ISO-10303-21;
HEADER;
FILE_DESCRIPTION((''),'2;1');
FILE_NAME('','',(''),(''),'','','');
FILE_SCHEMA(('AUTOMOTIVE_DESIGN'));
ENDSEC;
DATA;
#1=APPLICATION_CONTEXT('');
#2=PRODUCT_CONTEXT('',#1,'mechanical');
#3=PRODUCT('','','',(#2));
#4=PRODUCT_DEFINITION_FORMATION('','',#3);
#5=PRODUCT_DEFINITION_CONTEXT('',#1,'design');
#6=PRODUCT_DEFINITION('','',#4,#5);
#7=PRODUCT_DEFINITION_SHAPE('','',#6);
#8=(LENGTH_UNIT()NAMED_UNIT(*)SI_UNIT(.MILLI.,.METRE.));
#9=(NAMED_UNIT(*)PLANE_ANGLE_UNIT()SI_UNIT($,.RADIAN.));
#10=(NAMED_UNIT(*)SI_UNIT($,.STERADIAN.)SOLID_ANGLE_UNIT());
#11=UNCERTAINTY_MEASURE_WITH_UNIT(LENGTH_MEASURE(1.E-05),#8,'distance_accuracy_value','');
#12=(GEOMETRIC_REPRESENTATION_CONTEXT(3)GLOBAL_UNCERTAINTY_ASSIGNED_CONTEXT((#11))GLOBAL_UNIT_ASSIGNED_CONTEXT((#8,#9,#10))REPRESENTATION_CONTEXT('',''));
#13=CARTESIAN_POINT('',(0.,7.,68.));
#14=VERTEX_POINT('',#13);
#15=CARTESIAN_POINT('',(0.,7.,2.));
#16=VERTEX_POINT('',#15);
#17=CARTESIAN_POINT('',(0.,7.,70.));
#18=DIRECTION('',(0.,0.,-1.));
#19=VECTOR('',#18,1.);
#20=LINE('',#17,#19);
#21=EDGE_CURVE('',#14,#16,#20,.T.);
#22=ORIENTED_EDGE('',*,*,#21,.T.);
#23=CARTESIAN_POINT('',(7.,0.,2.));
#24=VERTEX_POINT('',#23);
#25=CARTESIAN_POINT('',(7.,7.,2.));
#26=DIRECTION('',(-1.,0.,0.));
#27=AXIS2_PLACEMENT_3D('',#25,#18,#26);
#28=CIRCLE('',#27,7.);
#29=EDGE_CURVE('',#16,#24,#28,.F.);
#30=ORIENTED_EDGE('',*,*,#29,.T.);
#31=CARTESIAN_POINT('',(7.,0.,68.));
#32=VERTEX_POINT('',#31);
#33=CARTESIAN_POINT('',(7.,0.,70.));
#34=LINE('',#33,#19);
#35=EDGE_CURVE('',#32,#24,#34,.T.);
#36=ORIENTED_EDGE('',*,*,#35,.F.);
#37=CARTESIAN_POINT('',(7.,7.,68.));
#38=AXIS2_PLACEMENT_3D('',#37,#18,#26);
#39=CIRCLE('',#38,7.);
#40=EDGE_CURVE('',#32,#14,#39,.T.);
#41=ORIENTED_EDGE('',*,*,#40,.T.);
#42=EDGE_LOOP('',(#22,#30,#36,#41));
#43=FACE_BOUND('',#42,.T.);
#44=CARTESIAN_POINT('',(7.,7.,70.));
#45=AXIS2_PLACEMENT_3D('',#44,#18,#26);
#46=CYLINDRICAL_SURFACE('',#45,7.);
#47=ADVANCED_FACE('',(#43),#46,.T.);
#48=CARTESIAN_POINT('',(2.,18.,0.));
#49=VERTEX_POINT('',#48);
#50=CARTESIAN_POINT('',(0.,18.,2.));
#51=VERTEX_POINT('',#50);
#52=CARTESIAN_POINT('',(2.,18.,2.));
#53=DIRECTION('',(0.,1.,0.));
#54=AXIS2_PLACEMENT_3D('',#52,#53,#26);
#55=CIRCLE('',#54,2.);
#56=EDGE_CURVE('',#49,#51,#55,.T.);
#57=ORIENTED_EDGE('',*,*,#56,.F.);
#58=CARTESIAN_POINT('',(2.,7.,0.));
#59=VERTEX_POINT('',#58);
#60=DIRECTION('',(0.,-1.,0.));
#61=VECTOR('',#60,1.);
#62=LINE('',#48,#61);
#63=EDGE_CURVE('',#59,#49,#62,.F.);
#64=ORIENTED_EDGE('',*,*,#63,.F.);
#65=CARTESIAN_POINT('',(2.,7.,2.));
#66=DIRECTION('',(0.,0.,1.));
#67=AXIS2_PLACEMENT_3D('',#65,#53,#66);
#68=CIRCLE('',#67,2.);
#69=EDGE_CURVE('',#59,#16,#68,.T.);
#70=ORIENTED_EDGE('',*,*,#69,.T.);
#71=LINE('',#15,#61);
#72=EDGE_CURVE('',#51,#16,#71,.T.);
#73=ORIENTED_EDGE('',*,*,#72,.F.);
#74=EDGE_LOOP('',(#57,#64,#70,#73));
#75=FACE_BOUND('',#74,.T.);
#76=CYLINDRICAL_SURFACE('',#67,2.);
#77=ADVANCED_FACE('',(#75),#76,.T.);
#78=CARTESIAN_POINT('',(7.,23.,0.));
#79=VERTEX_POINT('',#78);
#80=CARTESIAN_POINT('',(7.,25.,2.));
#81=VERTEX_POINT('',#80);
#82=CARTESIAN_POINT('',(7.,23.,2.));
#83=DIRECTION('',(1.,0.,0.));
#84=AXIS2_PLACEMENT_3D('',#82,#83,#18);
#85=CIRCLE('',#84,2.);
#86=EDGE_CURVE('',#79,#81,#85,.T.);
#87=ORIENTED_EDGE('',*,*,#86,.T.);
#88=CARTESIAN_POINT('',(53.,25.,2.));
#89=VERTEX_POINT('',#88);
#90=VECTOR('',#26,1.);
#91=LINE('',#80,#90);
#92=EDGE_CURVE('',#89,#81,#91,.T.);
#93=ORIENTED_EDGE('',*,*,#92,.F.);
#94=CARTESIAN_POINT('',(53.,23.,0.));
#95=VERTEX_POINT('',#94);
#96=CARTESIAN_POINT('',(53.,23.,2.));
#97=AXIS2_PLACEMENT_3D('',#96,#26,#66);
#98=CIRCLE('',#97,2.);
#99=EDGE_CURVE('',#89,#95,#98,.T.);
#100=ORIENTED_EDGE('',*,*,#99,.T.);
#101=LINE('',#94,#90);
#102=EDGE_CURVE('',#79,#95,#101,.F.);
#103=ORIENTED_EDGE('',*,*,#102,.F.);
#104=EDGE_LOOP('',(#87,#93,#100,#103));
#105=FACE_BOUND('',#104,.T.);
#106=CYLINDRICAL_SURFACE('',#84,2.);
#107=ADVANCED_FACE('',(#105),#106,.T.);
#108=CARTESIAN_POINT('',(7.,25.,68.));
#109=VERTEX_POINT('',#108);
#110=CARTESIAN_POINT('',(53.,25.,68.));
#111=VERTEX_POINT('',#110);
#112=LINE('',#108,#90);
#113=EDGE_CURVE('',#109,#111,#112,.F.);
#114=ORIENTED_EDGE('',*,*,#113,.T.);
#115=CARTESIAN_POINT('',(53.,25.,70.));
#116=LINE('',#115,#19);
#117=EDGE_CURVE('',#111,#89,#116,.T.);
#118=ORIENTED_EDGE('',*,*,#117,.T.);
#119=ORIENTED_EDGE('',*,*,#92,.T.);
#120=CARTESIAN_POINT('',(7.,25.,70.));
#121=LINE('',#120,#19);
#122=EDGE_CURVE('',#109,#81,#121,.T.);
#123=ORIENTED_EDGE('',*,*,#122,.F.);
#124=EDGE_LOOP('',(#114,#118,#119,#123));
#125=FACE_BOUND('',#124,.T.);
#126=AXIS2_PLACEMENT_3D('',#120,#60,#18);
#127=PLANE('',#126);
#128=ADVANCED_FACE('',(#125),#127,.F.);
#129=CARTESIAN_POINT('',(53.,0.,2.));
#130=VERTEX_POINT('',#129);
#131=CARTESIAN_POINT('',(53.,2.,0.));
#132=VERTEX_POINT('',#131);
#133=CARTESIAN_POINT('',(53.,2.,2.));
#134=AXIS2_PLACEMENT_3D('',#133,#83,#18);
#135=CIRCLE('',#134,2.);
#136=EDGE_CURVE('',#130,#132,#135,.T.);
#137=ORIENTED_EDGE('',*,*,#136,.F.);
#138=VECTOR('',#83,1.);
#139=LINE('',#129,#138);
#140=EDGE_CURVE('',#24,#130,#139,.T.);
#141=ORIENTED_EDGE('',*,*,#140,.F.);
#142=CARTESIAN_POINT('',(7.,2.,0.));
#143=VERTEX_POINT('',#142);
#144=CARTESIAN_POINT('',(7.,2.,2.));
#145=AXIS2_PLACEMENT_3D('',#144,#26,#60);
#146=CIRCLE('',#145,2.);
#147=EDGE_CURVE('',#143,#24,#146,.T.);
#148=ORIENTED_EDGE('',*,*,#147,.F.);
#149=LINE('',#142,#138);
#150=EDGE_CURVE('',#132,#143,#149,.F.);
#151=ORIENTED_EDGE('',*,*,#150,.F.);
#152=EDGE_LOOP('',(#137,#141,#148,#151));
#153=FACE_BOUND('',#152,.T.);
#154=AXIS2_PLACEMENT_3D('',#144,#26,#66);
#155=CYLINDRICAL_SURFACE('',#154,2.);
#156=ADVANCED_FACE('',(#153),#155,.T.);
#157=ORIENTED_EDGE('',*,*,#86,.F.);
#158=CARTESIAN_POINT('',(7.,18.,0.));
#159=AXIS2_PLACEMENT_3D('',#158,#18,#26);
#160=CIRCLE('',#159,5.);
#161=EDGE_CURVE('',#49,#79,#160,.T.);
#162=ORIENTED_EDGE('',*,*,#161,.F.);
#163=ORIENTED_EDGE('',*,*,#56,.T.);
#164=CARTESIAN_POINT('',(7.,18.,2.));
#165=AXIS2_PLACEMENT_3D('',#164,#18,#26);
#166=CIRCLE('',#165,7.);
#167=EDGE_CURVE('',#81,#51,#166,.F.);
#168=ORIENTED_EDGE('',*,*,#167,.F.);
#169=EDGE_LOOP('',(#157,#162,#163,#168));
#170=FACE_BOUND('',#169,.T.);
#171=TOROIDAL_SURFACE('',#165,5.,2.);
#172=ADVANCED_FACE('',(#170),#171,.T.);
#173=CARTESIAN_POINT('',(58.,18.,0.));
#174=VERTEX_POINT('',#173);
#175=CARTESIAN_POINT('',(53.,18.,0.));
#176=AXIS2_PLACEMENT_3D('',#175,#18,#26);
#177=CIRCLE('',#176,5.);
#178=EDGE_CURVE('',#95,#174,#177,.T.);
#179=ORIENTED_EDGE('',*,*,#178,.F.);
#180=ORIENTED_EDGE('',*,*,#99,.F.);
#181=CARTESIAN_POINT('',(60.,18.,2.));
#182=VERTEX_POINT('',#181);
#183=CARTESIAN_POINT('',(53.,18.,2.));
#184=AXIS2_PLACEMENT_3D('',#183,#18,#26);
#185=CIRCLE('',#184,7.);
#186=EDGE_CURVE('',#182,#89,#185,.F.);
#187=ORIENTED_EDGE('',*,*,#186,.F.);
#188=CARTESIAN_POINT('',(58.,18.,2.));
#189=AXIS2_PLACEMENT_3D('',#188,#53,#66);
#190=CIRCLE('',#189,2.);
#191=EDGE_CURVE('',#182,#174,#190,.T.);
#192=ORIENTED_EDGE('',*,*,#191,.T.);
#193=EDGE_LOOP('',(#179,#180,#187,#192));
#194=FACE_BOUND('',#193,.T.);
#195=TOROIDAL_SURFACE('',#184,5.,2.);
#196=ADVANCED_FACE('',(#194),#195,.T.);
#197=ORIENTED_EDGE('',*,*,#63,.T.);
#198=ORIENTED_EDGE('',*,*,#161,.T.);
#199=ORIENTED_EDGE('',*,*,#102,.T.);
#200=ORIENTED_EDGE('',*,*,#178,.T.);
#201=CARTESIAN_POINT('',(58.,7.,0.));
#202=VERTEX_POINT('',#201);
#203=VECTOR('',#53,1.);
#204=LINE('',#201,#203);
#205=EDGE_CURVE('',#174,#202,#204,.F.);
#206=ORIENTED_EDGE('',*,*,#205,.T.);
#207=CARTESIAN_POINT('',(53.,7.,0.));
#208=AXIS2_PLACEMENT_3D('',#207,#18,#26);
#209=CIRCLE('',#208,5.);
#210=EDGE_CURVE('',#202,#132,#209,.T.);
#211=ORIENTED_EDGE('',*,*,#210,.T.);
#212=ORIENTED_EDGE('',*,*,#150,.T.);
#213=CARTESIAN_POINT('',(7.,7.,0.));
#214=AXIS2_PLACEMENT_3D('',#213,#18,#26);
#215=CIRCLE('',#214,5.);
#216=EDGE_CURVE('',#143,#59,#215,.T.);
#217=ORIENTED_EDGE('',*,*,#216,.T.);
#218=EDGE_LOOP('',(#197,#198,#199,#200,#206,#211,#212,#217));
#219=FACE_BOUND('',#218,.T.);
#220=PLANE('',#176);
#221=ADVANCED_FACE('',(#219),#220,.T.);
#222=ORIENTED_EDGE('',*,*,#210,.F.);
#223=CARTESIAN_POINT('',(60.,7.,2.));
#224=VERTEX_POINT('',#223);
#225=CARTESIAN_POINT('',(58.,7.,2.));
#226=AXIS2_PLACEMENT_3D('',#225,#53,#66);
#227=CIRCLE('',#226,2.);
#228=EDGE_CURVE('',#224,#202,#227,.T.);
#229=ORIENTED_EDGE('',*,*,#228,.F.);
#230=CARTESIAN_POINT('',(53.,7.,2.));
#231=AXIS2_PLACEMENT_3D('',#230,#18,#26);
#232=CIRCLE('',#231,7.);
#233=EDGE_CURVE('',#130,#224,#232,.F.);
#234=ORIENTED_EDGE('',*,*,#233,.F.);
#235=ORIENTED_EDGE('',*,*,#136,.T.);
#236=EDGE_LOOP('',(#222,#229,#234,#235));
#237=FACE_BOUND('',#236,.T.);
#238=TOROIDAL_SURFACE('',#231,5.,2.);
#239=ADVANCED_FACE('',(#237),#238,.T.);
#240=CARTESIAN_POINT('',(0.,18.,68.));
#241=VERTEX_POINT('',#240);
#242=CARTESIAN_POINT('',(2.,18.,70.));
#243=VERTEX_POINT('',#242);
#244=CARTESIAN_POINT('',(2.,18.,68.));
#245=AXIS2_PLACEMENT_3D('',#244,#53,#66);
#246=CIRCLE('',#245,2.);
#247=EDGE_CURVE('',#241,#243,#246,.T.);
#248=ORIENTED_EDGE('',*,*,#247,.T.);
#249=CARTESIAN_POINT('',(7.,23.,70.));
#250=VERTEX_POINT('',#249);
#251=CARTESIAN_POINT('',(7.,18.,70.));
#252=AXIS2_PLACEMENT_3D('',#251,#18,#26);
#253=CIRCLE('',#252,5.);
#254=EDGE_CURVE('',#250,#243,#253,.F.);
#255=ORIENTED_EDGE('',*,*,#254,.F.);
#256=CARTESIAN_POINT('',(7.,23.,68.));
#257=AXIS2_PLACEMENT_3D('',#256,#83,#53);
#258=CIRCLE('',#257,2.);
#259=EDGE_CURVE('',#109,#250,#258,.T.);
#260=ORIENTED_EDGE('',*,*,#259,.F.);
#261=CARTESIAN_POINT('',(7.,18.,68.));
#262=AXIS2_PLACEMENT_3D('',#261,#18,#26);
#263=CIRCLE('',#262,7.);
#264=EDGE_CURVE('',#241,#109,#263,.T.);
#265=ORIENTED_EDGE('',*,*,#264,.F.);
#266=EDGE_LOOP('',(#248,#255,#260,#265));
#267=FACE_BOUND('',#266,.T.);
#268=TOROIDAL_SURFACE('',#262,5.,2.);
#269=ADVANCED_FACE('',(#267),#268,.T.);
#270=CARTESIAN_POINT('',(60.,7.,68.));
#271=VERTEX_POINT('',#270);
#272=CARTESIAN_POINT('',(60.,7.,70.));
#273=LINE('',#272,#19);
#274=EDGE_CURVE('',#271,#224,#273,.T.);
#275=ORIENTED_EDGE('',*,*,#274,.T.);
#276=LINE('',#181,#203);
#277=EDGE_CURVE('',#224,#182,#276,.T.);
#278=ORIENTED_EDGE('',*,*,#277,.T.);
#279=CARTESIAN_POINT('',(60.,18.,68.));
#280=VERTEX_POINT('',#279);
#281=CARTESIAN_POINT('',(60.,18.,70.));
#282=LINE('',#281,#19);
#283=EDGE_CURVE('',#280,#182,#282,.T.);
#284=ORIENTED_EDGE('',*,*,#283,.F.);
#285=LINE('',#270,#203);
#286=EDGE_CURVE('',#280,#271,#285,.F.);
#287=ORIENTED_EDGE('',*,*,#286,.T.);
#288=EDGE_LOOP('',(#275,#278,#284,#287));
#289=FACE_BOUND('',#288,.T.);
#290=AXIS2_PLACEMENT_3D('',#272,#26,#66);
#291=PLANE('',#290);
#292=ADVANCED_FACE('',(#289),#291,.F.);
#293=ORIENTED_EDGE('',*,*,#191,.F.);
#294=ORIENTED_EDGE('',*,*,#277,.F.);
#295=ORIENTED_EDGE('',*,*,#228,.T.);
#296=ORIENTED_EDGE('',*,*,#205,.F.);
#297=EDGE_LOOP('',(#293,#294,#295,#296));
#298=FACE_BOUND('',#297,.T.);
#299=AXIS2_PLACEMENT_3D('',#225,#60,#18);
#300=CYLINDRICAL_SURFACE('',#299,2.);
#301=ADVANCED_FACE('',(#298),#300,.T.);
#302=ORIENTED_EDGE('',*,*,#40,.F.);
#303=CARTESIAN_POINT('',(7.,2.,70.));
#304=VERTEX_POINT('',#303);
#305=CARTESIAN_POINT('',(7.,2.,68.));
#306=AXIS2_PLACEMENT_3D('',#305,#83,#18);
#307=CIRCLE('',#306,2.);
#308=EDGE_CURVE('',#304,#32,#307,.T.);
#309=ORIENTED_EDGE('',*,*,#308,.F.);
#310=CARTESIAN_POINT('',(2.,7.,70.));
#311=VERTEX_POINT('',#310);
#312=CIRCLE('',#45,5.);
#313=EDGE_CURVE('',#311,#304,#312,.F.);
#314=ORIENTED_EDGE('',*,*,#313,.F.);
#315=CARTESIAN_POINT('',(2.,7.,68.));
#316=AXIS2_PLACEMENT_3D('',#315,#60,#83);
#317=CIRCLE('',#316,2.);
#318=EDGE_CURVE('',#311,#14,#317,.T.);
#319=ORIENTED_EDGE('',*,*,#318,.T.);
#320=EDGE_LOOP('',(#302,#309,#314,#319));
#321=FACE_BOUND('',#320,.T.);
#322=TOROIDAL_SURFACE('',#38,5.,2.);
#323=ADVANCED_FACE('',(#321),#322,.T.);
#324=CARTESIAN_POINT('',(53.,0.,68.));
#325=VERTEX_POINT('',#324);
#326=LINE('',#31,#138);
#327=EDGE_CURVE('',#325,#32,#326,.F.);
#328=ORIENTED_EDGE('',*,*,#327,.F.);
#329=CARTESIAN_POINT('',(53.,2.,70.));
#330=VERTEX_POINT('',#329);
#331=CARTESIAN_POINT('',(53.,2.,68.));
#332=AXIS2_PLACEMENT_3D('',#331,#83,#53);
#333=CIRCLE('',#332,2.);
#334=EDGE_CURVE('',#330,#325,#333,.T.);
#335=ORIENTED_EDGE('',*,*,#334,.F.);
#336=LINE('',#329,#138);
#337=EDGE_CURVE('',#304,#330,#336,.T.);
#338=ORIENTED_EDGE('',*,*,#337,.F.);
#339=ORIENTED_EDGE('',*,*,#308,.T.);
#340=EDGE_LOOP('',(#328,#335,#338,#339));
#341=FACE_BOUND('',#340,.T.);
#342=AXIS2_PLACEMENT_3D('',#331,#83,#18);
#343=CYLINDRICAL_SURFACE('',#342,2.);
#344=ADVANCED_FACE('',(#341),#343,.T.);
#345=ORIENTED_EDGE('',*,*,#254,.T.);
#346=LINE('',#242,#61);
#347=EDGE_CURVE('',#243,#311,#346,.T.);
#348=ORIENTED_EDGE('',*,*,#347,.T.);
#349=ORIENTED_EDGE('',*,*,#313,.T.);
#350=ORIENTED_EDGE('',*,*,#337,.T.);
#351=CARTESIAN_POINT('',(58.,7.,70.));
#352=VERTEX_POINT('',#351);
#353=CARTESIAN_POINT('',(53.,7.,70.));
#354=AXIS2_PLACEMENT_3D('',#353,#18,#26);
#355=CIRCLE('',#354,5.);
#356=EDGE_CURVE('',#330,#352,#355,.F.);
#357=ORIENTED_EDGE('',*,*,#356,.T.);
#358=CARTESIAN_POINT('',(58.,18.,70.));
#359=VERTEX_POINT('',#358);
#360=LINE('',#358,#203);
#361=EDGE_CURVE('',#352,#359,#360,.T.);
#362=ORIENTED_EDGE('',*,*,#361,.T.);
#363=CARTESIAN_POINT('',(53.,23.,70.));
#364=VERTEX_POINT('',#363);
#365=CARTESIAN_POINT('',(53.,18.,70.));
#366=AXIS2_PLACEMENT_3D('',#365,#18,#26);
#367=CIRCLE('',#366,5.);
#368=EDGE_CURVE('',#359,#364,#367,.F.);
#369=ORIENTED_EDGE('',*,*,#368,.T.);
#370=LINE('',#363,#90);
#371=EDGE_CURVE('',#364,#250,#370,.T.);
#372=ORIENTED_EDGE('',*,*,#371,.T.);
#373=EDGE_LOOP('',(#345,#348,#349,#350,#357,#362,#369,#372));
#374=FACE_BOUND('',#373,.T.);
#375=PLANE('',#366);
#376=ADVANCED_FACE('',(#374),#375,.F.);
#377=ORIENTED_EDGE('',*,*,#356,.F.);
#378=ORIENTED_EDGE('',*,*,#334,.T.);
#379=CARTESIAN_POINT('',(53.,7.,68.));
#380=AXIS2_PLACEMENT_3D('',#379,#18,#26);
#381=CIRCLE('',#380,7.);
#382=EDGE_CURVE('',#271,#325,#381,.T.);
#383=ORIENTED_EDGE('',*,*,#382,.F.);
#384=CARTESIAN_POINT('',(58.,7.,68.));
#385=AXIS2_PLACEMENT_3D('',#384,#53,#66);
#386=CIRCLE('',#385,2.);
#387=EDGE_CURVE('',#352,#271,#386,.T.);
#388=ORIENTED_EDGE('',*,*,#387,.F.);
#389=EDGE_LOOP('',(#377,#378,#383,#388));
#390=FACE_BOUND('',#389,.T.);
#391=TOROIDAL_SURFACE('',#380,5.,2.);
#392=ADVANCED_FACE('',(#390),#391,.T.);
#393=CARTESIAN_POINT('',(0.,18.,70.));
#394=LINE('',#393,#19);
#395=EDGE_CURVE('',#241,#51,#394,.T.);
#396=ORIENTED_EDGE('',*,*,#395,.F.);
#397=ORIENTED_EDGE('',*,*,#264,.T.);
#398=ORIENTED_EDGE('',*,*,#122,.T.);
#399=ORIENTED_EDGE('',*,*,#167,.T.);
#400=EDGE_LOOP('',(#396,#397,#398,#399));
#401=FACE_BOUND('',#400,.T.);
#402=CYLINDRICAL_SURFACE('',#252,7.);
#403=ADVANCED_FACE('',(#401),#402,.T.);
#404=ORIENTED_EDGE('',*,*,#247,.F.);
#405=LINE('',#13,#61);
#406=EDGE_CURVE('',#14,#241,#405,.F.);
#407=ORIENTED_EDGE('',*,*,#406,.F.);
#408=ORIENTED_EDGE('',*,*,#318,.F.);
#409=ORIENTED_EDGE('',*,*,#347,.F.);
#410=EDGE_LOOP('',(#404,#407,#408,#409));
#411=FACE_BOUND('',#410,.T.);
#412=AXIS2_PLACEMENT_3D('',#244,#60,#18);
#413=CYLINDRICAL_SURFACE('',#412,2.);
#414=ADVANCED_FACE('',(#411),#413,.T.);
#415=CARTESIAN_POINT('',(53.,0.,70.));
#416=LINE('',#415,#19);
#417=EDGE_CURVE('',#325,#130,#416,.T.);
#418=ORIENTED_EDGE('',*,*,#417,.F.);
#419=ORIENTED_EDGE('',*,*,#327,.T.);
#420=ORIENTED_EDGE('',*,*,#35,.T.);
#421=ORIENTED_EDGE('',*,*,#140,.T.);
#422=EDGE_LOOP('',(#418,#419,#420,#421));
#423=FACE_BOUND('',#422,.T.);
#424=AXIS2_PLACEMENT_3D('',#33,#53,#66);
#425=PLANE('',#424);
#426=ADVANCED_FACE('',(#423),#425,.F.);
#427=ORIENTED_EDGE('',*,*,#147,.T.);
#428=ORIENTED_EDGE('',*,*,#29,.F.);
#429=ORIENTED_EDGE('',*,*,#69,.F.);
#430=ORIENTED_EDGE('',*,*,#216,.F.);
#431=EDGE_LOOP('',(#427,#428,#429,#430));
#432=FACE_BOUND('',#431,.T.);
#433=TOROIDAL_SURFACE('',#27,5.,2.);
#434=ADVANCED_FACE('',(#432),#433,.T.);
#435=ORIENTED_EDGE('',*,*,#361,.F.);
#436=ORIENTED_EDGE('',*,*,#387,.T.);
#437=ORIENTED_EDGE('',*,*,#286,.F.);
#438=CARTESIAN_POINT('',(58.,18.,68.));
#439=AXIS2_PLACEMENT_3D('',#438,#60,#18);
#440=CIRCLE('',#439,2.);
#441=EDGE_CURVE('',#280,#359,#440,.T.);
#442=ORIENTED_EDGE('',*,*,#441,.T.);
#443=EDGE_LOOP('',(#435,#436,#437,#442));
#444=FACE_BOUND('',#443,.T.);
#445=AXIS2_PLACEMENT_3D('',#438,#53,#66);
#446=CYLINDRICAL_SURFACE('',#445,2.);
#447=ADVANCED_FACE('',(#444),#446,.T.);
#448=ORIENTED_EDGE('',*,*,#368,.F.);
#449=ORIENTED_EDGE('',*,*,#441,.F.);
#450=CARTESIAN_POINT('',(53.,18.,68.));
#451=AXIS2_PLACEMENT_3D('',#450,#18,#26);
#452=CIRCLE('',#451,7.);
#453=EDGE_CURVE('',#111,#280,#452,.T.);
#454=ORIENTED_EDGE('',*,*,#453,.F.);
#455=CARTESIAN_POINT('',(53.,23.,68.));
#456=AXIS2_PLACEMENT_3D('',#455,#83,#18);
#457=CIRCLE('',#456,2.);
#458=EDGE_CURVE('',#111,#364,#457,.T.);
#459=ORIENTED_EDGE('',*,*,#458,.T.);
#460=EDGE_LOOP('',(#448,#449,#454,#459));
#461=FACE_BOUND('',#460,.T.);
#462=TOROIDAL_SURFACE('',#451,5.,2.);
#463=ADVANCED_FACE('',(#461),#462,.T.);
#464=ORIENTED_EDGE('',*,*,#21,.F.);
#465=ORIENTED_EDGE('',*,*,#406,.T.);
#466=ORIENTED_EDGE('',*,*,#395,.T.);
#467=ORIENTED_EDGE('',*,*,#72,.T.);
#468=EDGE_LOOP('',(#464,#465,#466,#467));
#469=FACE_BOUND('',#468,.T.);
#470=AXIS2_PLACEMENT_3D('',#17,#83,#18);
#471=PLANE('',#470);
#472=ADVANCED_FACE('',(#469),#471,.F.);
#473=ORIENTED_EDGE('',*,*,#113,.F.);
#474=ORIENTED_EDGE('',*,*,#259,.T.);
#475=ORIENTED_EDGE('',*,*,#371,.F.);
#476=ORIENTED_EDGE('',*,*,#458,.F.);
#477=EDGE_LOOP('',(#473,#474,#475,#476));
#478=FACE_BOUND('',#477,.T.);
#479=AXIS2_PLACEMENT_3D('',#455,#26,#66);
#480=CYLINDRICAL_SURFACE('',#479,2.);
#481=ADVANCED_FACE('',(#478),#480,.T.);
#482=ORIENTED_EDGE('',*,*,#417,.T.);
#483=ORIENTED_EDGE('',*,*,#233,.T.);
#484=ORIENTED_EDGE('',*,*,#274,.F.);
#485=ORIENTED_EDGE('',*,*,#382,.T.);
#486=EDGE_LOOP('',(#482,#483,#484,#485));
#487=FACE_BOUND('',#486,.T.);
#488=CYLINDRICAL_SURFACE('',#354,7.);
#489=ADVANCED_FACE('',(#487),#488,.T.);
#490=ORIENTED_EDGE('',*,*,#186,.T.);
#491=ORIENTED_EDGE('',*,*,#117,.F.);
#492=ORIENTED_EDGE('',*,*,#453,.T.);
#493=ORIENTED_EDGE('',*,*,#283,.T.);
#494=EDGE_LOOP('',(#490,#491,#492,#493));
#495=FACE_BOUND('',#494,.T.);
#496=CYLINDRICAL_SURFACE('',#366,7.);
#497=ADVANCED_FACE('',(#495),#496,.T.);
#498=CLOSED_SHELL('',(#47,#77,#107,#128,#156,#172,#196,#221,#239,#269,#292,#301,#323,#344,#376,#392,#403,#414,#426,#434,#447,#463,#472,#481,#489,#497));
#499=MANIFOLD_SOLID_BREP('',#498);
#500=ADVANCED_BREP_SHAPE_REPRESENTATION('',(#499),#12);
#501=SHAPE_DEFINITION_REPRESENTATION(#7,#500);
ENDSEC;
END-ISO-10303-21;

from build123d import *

# Parameters (mm, degrees)
BOSS_EXTRUDE1_DEPTH = 70
FILLET1_R           = 2


with BuildPart() as part:
    # Sketch1 → Boss-Extrude1 (new body)
    with BuildSketch(Plane.XY):
        with BuildLine():
            Line((7, 0), (53, 0))
            ThreePointArc((53, 0), (57.949747468, 2.050252532), (60, 7))
            Line((60, 7), (60, 18))
            ThreePointArc((60, 18), (57.949747468, 22.949747468), (53, 25))
            Line((53, 25), (7, 25))
            ThreePointArc((7, 25), (2.050252532, 22.949747468), (0, 18))
            Line((0, 18), (0, 7))
            ThreePointArc((0, 7), (2.050252532, 2.050252532), (7, 0))
        make_face()
    extrude(amount=BOSS_EXTRUDE1_DEPTH)

    # Fillet1
    fillet1_edges = [part.edges().sort_by_distance(p)[0] for p in [
        (0, 12.5, 0),
        (2.050252532, 22.949747468, 0),
        (30, 25, 0),
        (57.949747468, 22.949747468, 0),
        (2.050252532, 22.949747468, 70),
        (0, 12.5, 70),
        (2.050252532, 2.050252532, 70),
        (30, 0, 70),
        (57.949747468, 2.050252532, 70),
        (60, 12.5, 70),
        (57.949747468, 22.949747468, 70),
        (60, 12.5, 0),
        (30, 25, 70),
        (57.949747468, 2.050252532, 0),
        (30, 0, 0),
        (2.050252532, 2.050252532, 0),
    ]]
    fillet(fillet1_edges, radius=FILLET1_R)


solid = part.part
